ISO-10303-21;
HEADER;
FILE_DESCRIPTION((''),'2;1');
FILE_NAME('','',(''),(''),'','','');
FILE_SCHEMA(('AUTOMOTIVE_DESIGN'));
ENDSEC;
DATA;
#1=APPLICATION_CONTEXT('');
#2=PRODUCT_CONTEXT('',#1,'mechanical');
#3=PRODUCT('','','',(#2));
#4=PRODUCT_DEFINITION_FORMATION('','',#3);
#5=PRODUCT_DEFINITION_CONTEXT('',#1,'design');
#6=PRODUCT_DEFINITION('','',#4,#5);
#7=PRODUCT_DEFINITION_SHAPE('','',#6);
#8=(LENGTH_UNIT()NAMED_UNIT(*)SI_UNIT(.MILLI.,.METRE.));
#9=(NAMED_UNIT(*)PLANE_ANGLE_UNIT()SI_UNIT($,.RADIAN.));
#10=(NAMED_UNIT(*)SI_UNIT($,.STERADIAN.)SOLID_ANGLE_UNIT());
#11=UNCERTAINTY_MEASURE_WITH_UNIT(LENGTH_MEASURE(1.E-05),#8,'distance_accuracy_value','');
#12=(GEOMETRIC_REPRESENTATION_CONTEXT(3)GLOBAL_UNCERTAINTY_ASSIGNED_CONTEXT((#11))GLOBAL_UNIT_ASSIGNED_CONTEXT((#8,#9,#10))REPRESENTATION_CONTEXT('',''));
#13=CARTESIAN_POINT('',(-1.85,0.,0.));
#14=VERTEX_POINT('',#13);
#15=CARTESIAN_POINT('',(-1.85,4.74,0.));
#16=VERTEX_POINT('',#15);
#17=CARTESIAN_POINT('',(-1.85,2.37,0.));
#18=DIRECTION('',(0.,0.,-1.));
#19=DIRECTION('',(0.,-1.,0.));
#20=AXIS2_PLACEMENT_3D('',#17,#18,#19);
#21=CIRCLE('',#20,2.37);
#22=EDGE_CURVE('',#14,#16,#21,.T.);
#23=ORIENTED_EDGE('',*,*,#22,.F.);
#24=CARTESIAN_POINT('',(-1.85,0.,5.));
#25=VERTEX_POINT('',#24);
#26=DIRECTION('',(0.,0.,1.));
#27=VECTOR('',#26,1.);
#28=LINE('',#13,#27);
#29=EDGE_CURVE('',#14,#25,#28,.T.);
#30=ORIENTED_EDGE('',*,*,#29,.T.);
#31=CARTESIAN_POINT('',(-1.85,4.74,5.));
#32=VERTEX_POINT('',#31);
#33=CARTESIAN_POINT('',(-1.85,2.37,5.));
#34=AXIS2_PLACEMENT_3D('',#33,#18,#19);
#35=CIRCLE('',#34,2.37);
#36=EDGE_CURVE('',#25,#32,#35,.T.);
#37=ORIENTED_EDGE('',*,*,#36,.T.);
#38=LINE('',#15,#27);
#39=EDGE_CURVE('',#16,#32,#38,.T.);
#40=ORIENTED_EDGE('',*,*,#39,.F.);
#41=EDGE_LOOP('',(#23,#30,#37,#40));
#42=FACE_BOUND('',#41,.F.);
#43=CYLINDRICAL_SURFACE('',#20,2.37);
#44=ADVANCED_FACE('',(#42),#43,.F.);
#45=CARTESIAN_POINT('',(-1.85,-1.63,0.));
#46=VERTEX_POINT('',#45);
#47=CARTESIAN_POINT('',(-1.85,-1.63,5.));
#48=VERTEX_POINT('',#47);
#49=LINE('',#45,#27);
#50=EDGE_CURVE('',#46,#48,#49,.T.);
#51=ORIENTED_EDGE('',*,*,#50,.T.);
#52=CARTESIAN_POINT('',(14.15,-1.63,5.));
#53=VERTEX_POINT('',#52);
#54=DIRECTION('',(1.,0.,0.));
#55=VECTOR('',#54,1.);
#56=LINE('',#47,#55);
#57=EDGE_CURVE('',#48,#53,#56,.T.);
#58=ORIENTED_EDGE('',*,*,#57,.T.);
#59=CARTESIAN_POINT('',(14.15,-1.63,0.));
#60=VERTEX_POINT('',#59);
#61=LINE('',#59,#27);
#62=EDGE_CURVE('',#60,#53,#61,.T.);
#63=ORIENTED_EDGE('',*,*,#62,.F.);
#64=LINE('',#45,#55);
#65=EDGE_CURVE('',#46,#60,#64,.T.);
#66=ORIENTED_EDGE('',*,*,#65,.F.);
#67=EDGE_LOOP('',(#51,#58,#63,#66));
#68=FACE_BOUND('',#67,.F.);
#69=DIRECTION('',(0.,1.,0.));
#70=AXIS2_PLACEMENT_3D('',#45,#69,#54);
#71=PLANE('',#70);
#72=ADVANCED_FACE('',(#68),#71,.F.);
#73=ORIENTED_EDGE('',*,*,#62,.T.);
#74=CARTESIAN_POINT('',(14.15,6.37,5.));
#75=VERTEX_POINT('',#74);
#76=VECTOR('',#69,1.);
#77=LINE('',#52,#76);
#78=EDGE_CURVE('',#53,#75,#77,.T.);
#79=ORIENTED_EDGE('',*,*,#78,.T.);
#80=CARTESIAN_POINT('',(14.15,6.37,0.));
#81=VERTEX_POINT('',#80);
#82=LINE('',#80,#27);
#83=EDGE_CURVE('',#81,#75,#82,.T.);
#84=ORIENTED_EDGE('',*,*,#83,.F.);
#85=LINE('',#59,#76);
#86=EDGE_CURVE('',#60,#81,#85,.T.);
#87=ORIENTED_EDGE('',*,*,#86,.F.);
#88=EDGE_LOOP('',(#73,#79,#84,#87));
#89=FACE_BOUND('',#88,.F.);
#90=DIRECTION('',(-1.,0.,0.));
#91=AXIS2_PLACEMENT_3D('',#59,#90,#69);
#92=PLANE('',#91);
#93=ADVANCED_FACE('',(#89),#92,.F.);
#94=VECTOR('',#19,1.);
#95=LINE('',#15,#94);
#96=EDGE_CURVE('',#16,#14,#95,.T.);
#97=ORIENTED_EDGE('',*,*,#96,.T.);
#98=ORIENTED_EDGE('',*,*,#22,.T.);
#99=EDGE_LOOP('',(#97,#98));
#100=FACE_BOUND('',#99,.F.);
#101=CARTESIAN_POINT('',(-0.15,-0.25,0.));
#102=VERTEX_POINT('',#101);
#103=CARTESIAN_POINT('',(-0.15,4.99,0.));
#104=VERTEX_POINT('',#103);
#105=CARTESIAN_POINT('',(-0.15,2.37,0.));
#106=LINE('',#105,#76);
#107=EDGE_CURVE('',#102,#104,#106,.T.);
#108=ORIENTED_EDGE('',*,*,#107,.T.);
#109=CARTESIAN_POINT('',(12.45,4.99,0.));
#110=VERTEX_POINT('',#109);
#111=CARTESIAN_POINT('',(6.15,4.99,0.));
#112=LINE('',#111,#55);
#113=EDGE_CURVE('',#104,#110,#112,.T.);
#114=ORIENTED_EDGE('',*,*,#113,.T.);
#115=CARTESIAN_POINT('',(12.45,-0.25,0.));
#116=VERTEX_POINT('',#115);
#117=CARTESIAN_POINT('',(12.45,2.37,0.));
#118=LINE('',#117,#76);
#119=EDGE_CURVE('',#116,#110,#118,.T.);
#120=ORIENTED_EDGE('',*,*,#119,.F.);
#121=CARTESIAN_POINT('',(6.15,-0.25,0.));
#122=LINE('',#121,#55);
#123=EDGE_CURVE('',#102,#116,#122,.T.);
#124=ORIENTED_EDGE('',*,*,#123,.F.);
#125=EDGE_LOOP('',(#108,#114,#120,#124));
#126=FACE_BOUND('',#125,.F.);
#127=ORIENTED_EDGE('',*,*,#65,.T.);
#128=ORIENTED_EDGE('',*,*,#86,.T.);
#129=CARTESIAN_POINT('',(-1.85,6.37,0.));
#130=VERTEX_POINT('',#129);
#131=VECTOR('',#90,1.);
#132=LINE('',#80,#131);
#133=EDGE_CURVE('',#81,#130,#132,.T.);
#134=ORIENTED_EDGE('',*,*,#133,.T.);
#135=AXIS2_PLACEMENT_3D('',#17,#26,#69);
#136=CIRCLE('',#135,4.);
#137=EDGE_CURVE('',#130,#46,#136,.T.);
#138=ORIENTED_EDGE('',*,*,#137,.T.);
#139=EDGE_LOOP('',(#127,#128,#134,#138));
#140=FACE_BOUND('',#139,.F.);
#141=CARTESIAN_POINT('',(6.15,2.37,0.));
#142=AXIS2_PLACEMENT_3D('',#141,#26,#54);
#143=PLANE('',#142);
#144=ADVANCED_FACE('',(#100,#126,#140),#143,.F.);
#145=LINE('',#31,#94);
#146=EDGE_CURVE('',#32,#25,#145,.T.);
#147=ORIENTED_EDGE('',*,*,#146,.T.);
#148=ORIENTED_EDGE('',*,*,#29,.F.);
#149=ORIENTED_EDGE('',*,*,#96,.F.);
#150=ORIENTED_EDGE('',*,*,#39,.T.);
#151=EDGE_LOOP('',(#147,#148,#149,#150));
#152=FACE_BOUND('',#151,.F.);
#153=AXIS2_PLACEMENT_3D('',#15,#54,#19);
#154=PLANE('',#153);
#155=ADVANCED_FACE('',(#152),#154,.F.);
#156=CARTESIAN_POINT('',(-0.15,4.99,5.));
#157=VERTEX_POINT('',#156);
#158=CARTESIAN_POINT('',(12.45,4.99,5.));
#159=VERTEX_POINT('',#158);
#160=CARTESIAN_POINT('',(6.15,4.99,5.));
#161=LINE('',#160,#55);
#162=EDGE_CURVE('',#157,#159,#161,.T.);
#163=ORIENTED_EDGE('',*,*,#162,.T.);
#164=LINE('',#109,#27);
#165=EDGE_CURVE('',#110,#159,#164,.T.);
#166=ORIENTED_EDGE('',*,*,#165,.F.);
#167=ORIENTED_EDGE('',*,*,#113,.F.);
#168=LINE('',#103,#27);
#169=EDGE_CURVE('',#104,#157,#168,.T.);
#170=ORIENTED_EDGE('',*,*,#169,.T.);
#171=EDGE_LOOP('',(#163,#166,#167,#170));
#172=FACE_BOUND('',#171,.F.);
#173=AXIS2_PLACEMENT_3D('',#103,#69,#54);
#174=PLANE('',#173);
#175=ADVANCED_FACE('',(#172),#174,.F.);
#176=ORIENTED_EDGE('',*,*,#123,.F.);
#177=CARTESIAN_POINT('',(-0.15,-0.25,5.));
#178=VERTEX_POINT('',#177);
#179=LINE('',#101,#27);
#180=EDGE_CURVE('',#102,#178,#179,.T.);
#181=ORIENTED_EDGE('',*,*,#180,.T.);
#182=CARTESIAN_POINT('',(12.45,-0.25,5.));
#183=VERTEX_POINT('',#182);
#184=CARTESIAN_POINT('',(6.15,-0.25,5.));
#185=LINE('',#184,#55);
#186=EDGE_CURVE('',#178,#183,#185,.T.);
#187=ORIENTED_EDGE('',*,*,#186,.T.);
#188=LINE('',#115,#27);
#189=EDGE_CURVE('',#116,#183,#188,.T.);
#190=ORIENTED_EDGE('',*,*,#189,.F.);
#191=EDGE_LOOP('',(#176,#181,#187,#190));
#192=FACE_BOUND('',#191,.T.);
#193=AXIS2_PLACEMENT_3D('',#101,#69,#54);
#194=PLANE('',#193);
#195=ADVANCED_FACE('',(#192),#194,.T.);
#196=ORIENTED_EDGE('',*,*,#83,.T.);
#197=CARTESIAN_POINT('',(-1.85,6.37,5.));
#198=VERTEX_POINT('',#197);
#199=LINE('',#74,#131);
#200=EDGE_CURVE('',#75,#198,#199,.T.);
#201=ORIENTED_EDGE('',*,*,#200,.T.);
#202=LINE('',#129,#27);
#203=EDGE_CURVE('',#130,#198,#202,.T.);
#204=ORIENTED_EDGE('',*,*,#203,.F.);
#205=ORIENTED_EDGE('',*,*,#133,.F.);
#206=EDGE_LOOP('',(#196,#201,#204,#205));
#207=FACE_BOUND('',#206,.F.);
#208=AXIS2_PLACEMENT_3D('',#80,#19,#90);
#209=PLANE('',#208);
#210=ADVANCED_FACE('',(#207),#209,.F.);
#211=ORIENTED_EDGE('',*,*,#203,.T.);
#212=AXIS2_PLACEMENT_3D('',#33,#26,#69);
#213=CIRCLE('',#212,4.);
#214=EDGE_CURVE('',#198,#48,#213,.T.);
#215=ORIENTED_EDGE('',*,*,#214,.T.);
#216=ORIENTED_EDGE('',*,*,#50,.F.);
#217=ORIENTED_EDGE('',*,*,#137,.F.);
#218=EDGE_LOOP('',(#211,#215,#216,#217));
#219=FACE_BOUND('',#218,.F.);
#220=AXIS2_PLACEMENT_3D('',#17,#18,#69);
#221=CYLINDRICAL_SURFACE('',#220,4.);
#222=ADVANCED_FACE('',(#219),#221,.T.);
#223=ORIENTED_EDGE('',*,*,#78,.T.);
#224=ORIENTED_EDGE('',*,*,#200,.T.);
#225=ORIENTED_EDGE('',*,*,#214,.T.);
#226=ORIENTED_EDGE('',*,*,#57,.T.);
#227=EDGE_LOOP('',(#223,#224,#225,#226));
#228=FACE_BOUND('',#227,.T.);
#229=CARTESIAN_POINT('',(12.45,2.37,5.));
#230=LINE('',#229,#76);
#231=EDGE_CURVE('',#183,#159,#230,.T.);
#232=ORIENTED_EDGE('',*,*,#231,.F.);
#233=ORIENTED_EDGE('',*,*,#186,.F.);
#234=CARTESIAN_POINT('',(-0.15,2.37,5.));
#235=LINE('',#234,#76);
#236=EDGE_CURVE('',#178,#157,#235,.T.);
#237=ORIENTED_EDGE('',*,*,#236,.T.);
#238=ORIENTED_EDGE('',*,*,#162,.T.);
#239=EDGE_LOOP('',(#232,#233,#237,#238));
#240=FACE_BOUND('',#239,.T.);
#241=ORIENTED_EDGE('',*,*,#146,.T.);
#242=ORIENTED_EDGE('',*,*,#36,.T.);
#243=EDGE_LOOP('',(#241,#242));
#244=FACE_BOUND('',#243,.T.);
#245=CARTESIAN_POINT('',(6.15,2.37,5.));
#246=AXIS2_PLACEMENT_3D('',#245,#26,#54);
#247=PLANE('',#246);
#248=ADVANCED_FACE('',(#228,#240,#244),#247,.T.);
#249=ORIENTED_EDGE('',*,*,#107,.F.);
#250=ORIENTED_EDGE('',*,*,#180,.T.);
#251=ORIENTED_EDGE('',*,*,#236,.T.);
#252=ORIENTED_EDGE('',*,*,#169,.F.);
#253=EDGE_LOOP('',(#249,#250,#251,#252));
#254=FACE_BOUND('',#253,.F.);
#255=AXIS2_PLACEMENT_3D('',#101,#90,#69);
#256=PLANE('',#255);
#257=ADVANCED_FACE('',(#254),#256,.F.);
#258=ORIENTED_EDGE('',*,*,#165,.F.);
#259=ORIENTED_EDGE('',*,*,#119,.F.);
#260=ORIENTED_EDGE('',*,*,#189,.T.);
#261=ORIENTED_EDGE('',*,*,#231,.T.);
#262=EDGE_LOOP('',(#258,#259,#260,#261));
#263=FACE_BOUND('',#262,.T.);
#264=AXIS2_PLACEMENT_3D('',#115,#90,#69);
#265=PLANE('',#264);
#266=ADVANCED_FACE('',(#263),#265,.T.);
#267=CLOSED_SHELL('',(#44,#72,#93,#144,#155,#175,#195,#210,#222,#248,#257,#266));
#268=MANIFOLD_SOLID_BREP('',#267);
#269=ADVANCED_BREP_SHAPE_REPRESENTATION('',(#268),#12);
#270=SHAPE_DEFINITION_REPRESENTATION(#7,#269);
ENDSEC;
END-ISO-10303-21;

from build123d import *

# Parameters (mm, degrees)
F0_W     = 12.6
F0_H     = 5.24
F1_DEPTH = 5


with BuildPart() as f1:
    # F0 (on Top) → F1 (new body)
    with BuildSketch(Plane.XY):
        with Locations((6.15, 2.37)):
            Rectangle(F0_W, F0_H)
        with BuildLine():
            ThreePointArc((-1.85, 6.37), (-5.85, 2.37), (-1.85, -1.63))
            Line((-1.85, -1.63), (14.15, -1.63))
            Line((14.15, -1.63), (14.15, 6.37))
            Line((14.15, 6.37), (-1.85, 6.37))
        make_face()
        with BuildLine():
            Line((-1.85, 4.74), (-1.85, 0))
            ThreePointArc((-1.85, 0), (-4.22, 2.37), (-1.85, 4.74))
        make_face(mode=Mode.SUBTRACT)
        with Locations((6.15, 2.37)):
            Rectangle(F0_W, F0_H, mode=Mode.SUBTRACT)
    extrude(amount=F1_DEPTH)


solid = f1.part
